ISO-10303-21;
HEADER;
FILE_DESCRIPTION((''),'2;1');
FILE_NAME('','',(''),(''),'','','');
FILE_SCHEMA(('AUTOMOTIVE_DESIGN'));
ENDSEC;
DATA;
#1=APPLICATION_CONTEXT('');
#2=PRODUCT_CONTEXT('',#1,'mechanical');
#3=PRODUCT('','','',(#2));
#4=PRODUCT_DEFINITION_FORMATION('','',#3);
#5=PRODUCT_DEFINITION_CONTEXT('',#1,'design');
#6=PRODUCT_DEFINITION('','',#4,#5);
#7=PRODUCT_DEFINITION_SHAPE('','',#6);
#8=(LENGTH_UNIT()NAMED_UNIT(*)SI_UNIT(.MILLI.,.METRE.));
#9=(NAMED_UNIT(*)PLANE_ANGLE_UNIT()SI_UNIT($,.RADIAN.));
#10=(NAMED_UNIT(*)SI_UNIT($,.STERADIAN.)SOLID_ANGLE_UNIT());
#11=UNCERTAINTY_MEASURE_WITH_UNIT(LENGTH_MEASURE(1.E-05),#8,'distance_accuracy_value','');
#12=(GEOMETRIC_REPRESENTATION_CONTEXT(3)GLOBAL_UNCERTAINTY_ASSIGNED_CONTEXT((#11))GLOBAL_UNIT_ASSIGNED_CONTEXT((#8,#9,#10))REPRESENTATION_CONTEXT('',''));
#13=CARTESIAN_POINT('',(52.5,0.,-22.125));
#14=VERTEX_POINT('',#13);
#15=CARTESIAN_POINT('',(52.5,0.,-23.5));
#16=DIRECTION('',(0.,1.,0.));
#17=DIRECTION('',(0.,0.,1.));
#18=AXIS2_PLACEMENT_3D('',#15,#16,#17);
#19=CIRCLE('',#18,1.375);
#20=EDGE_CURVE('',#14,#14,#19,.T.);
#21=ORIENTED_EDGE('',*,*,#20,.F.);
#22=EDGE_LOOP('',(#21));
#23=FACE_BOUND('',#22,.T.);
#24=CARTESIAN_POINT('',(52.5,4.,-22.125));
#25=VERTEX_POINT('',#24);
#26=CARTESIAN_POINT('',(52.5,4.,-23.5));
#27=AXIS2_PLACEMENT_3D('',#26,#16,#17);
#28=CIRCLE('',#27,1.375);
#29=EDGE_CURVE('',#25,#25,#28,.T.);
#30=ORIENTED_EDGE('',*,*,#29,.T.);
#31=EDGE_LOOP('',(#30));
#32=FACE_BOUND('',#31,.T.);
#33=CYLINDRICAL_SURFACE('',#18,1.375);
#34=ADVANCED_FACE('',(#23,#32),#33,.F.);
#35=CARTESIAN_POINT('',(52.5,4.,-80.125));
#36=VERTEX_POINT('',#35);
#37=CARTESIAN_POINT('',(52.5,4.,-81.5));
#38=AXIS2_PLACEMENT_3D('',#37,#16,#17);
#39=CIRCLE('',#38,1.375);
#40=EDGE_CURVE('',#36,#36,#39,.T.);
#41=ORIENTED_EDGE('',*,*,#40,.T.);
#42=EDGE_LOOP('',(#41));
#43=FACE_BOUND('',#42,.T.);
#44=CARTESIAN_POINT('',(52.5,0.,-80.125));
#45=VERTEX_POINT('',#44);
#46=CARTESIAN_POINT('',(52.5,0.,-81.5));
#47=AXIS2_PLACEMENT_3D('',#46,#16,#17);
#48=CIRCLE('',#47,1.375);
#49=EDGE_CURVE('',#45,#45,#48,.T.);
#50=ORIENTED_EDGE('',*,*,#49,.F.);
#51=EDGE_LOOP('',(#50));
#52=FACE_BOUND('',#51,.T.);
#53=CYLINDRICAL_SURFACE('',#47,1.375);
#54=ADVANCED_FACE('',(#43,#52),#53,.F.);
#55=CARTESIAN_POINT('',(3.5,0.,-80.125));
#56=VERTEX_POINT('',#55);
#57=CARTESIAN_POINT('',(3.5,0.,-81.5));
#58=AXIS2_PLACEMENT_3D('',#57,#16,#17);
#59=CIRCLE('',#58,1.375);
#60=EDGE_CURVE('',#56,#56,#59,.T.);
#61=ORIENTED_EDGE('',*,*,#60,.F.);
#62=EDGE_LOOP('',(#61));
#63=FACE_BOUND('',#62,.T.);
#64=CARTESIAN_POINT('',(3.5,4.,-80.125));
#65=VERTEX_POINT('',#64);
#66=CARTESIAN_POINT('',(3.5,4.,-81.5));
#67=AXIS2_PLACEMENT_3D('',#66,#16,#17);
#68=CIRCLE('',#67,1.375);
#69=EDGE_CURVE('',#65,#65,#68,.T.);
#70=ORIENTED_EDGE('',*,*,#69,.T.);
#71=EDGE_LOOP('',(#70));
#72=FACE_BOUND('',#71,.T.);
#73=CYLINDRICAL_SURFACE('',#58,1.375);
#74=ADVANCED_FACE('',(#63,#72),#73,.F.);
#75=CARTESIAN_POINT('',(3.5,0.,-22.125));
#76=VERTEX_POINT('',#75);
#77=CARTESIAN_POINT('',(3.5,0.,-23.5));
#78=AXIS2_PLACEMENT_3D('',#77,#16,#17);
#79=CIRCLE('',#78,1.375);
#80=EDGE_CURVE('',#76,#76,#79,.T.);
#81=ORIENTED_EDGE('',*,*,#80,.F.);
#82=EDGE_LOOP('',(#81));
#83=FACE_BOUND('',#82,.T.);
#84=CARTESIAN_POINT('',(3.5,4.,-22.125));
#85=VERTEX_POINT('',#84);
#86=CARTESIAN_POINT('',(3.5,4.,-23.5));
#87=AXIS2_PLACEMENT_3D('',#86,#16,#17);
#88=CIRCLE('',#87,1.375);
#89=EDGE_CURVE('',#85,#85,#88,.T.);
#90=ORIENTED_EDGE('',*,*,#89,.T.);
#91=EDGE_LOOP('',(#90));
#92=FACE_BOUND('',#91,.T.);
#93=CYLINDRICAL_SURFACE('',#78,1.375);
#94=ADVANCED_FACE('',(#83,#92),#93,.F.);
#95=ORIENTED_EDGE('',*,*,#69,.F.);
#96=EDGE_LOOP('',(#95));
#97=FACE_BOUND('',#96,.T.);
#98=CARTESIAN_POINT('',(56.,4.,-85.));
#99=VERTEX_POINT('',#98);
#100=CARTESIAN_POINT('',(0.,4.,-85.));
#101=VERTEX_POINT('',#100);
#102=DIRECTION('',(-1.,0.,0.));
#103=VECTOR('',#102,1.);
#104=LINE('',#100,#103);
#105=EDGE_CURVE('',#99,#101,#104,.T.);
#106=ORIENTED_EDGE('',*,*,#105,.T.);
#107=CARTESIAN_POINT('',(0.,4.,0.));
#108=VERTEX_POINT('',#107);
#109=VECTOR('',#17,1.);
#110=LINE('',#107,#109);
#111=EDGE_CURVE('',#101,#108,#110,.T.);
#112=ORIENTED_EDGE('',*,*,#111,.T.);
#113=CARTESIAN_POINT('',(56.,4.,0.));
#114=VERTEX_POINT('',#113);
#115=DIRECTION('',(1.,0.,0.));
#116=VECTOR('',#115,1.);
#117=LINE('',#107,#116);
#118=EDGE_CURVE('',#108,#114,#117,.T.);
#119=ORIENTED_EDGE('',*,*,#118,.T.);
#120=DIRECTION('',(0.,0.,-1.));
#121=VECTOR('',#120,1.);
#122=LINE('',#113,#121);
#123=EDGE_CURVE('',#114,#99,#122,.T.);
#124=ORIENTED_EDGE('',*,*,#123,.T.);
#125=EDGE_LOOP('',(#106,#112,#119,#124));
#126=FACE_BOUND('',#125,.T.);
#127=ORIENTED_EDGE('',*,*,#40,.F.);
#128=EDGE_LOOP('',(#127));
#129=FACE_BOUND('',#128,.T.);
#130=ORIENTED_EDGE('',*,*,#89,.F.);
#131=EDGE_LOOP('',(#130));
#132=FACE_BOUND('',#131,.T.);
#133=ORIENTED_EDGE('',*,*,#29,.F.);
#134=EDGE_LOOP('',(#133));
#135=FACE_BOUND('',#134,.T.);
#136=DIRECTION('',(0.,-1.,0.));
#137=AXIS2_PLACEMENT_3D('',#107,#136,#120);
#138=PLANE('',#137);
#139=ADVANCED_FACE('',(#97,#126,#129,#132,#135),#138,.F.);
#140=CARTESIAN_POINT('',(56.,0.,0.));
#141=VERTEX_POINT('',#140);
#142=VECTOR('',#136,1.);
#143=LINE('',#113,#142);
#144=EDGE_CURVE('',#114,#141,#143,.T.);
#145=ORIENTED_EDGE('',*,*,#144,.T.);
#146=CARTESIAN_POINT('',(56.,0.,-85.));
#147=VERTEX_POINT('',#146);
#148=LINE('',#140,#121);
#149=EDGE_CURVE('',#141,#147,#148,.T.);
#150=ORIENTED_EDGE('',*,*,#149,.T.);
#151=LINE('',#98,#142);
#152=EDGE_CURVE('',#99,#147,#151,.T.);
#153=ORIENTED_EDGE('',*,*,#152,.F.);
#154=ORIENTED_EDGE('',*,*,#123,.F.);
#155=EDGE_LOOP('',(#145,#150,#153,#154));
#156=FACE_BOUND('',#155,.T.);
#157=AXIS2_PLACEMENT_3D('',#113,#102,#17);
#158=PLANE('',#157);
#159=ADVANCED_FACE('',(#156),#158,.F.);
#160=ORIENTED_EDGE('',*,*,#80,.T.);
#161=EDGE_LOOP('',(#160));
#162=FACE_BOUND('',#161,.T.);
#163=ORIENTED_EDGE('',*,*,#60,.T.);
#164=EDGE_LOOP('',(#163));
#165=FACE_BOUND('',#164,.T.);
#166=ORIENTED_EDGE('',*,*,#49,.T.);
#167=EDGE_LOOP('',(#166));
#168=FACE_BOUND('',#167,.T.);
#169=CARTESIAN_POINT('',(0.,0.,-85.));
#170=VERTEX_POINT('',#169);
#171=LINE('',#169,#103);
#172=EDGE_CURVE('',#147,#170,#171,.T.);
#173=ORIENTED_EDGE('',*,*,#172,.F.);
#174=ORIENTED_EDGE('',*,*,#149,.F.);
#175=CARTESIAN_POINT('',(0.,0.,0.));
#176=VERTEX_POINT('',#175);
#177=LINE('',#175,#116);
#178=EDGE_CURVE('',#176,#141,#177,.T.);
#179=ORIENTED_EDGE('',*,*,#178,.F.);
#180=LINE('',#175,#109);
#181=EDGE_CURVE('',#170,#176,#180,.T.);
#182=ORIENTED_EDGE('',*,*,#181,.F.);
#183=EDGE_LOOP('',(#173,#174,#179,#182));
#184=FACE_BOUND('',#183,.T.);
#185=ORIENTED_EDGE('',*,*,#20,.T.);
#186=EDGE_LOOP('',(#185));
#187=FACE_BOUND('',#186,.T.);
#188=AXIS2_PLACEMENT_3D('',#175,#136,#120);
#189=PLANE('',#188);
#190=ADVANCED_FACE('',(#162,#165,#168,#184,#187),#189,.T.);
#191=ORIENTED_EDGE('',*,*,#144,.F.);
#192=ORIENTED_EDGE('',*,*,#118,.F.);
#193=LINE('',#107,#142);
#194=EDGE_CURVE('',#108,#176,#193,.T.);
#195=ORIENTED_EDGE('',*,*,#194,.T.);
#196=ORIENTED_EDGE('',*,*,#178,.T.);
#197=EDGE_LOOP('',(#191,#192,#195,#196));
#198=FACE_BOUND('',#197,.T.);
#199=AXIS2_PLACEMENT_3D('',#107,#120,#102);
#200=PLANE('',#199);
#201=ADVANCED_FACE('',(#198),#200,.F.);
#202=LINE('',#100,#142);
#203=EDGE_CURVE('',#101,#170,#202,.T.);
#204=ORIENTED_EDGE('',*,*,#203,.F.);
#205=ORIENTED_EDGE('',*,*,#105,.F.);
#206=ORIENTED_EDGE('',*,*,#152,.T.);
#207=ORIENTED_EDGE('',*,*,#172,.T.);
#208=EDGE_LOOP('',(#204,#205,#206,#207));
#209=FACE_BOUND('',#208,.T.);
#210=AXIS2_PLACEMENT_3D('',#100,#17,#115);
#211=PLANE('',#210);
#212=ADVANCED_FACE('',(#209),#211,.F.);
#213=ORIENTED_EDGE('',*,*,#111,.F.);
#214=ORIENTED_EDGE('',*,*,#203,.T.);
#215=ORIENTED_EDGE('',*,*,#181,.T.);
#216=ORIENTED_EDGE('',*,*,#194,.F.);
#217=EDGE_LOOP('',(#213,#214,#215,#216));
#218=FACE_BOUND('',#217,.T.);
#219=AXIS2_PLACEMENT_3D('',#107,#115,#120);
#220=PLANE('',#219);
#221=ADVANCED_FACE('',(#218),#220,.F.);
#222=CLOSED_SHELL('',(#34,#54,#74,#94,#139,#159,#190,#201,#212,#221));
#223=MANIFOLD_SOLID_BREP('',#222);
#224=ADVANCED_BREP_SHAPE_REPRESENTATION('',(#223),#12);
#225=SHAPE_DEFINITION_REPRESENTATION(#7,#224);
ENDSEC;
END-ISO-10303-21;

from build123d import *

# Parameters (mm, degrees)
SKETCH1_W           = 56
SKETCH1_H           = 85
BOSS_EXTRUDE1_DEPTH = 4
SKETCH2_R           = 1.375
CUT_EXTRUDE1_DEPTH  = 4


with BuildPart() as part:
    # Sketch1 → Boss-Extrude1 (new body)
    with BuildSketch(Plane(origin=(0, 0, 0), x_dir=(1, 0, 0), z_dir=(0, 1, 0))):
        with Locations((28, 42.5)):
            Rectangle(SKETCH1_W, SKETCH1_H)
    extrude(amount=BOSS_EXTRUDE1_DEPTH)

    # Sketch2 → Cut-Extrude1 (cut)
    with BuildSketch(Plane(origin=(0, 4, 0), x_dir=(1, 0, 0), z_dir=(0, 1, 0))):
        with Locations(Location((3.5, 81.5, 0), (0, 0, 270))):
            Circle(SKETCH2_R)
        with Locations(Location((52.5, 81.5, 0), (0, 0, 270))):
            Circle(SKETCH2_R)
        with Locations(Location((3.5, 23.5, 0), (0, 0, 270))):
            Circle(SKETCH2_R)
        with Locations(Location((52.5, 23.5, 0), (0, 0, 270))):
            Circle(SKETCH2_R)
    extrude(amount=-CUT_EXTRUDE1_DEPTH, mode=Mode.SUBTRACT)


solid = part.part
